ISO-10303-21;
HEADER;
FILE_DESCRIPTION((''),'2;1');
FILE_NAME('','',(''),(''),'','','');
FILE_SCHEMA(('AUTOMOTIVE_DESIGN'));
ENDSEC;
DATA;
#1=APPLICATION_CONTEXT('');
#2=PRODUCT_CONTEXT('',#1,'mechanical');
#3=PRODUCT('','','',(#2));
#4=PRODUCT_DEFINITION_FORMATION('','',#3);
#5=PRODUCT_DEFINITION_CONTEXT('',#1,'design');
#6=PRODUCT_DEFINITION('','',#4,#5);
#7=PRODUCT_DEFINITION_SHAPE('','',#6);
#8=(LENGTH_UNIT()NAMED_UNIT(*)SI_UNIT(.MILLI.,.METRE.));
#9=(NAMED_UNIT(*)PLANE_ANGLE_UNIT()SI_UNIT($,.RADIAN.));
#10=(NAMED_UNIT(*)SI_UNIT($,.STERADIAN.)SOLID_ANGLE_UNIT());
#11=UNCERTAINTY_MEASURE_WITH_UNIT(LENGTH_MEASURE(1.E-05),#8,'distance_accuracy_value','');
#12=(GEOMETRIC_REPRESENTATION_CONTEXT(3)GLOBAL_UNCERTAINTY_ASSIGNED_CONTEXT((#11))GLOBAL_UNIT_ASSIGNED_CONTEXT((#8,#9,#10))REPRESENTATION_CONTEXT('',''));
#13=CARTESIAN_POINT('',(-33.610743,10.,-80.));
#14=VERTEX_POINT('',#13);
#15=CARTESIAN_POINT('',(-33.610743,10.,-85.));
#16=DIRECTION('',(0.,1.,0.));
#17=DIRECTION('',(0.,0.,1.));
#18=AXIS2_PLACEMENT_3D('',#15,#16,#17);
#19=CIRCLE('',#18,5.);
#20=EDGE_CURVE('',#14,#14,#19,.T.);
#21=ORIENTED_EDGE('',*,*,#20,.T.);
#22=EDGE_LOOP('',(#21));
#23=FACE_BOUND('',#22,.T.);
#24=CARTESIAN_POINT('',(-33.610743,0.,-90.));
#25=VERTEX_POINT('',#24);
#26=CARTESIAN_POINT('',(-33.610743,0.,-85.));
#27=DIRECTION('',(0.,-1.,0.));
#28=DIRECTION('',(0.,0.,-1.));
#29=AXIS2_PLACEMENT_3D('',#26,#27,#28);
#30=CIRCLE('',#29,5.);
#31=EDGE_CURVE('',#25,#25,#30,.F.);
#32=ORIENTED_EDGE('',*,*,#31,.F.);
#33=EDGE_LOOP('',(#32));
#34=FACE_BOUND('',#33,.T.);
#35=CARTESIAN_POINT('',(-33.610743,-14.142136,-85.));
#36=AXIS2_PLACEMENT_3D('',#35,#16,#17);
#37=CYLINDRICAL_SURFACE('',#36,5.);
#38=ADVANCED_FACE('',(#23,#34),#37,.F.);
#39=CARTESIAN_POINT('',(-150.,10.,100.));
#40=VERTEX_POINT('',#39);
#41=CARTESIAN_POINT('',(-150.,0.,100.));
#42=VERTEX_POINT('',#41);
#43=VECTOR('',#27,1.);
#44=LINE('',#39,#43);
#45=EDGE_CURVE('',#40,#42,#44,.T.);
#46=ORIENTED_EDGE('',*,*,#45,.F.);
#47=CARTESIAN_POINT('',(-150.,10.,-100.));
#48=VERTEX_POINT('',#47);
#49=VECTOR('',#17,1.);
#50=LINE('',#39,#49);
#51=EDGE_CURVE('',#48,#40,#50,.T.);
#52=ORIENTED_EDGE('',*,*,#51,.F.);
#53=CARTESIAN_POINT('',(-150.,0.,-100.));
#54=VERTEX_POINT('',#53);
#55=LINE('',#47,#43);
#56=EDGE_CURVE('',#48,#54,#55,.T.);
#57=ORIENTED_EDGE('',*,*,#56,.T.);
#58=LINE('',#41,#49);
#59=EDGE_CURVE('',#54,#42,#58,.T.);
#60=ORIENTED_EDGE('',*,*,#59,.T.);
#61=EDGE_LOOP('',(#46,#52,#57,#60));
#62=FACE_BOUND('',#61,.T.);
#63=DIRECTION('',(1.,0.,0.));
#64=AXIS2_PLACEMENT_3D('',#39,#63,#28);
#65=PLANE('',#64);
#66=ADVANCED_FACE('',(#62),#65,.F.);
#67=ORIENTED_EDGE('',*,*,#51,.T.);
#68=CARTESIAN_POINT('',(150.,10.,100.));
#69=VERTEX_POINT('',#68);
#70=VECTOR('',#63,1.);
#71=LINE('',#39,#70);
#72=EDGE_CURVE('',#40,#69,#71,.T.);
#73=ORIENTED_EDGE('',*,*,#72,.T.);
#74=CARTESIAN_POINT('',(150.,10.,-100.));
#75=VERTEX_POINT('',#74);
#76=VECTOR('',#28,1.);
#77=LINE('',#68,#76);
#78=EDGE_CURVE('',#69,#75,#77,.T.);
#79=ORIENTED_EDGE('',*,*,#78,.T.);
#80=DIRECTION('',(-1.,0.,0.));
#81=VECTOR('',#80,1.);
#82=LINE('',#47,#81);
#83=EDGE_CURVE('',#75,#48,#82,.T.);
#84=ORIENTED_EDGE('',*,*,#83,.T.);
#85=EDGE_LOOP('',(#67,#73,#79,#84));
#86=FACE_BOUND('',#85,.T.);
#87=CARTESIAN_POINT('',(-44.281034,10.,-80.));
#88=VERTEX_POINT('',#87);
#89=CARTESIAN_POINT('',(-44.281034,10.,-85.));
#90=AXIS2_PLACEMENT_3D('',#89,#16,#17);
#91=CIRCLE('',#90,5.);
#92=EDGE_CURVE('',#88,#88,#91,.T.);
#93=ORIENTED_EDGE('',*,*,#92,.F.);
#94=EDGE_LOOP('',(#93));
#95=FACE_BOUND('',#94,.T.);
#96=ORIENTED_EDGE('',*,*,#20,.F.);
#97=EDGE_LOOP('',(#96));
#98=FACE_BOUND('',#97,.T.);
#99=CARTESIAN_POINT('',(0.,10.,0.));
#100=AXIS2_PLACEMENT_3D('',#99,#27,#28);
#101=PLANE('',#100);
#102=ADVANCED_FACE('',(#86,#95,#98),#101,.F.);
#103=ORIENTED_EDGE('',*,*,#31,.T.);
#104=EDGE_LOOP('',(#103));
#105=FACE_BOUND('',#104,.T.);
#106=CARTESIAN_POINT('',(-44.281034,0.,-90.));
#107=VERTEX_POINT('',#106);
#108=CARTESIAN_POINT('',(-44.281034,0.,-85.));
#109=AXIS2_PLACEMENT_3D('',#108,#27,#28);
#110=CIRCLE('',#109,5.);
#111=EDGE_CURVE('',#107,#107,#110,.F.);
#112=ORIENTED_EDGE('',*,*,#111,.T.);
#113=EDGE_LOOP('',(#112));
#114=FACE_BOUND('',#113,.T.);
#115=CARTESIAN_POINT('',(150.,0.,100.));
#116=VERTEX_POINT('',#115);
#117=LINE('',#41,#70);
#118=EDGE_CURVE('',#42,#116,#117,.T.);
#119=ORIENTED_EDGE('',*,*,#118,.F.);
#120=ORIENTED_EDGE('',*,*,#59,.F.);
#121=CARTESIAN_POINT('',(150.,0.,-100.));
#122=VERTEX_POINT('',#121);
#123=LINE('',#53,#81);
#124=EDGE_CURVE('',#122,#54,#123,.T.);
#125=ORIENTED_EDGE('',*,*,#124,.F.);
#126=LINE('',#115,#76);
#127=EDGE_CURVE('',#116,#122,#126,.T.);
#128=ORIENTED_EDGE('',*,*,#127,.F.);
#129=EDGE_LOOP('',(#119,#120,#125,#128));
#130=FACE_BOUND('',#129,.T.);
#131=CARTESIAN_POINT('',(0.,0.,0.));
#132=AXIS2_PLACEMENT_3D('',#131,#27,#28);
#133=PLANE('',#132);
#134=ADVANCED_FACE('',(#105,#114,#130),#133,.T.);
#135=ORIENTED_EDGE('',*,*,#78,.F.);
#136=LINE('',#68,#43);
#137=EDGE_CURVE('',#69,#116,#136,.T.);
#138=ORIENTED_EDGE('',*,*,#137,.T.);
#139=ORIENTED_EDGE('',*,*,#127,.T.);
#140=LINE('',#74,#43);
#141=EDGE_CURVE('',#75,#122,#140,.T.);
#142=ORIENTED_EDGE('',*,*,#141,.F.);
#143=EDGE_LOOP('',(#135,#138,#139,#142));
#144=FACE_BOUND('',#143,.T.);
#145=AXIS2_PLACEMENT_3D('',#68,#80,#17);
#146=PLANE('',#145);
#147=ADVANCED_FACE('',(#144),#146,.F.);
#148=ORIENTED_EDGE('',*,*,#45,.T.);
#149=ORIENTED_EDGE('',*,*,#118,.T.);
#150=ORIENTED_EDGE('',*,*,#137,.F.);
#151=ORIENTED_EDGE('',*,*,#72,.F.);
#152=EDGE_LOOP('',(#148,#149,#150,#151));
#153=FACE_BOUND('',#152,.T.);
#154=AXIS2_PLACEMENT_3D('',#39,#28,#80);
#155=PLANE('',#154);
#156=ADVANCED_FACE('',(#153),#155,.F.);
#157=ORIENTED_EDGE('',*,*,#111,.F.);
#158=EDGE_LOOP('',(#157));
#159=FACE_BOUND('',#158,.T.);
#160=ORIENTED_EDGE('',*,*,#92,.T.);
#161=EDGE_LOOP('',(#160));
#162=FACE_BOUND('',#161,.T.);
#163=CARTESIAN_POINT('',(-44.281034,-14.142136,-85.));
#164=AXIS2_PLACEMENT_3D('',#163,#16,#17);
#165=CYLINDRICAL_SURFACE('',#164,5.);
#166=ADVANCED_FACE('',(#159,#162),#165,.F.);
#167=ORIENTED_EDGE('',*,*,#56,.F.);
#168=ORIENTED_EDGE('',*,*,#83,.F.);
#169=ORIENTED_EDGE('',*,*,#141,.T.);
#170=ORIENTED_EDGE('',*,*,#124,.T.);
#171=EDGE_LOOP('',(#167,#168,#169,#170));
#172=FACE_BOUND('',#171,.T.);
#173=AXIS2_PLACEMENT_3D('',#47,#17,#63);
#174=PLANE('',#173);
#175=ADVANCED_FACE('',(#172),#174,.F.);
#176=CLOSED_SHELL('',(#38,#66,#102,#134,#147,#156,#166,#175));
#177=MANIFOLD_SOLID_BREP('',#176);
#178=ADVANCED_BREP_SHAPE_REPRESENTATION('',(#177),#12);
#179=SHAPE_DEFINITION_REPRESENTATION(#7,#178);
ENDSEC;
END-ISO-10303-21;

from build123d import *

# Parameters (mm, degrees)
CROQUIS1_W              = 300
CROQUIS1_H              = 200
SALIENTE_EXTRUIR1_DEPTH = 10
CROQUIS2_R              = 5
CORTAR_EXTRUIR2_DEPTH   = 10


with BuildPart() as part:
    # Croquis1 → Saliente-Extruir1 (new body)
    with BuildSketch(Plane(origin=(0, 0, 0), x_dir=(1, 0, 0), z_dir=(0, 1, 0))):
        Rectangle(CROQUIS1_W, CROQUIS1_H)
    extrude(amount=SALIENTE_EXTRUIR1_DEPTH)

    # Croquis2 → Cortar-Extruir2 (cut)
    with BuildSketch(Plane(origin=(0, 10, 0), x_dir=(1, 0, 0), z_dir=(0, 1, 0))):
        with Locations(Location((-44.281034273, 85, 0), (0, 0, 270))):
            Circle(CROQUIS2_R)
        with Locations(Location((-33.610743348, 85, 0), (0, 0, 270))):
            Circle(CROQUIS2_R)
    extrude(amount=-CORTAR_EXTRUIR2_DEPTH, mode=Mode.SUBTRACT)


solid = part.part
